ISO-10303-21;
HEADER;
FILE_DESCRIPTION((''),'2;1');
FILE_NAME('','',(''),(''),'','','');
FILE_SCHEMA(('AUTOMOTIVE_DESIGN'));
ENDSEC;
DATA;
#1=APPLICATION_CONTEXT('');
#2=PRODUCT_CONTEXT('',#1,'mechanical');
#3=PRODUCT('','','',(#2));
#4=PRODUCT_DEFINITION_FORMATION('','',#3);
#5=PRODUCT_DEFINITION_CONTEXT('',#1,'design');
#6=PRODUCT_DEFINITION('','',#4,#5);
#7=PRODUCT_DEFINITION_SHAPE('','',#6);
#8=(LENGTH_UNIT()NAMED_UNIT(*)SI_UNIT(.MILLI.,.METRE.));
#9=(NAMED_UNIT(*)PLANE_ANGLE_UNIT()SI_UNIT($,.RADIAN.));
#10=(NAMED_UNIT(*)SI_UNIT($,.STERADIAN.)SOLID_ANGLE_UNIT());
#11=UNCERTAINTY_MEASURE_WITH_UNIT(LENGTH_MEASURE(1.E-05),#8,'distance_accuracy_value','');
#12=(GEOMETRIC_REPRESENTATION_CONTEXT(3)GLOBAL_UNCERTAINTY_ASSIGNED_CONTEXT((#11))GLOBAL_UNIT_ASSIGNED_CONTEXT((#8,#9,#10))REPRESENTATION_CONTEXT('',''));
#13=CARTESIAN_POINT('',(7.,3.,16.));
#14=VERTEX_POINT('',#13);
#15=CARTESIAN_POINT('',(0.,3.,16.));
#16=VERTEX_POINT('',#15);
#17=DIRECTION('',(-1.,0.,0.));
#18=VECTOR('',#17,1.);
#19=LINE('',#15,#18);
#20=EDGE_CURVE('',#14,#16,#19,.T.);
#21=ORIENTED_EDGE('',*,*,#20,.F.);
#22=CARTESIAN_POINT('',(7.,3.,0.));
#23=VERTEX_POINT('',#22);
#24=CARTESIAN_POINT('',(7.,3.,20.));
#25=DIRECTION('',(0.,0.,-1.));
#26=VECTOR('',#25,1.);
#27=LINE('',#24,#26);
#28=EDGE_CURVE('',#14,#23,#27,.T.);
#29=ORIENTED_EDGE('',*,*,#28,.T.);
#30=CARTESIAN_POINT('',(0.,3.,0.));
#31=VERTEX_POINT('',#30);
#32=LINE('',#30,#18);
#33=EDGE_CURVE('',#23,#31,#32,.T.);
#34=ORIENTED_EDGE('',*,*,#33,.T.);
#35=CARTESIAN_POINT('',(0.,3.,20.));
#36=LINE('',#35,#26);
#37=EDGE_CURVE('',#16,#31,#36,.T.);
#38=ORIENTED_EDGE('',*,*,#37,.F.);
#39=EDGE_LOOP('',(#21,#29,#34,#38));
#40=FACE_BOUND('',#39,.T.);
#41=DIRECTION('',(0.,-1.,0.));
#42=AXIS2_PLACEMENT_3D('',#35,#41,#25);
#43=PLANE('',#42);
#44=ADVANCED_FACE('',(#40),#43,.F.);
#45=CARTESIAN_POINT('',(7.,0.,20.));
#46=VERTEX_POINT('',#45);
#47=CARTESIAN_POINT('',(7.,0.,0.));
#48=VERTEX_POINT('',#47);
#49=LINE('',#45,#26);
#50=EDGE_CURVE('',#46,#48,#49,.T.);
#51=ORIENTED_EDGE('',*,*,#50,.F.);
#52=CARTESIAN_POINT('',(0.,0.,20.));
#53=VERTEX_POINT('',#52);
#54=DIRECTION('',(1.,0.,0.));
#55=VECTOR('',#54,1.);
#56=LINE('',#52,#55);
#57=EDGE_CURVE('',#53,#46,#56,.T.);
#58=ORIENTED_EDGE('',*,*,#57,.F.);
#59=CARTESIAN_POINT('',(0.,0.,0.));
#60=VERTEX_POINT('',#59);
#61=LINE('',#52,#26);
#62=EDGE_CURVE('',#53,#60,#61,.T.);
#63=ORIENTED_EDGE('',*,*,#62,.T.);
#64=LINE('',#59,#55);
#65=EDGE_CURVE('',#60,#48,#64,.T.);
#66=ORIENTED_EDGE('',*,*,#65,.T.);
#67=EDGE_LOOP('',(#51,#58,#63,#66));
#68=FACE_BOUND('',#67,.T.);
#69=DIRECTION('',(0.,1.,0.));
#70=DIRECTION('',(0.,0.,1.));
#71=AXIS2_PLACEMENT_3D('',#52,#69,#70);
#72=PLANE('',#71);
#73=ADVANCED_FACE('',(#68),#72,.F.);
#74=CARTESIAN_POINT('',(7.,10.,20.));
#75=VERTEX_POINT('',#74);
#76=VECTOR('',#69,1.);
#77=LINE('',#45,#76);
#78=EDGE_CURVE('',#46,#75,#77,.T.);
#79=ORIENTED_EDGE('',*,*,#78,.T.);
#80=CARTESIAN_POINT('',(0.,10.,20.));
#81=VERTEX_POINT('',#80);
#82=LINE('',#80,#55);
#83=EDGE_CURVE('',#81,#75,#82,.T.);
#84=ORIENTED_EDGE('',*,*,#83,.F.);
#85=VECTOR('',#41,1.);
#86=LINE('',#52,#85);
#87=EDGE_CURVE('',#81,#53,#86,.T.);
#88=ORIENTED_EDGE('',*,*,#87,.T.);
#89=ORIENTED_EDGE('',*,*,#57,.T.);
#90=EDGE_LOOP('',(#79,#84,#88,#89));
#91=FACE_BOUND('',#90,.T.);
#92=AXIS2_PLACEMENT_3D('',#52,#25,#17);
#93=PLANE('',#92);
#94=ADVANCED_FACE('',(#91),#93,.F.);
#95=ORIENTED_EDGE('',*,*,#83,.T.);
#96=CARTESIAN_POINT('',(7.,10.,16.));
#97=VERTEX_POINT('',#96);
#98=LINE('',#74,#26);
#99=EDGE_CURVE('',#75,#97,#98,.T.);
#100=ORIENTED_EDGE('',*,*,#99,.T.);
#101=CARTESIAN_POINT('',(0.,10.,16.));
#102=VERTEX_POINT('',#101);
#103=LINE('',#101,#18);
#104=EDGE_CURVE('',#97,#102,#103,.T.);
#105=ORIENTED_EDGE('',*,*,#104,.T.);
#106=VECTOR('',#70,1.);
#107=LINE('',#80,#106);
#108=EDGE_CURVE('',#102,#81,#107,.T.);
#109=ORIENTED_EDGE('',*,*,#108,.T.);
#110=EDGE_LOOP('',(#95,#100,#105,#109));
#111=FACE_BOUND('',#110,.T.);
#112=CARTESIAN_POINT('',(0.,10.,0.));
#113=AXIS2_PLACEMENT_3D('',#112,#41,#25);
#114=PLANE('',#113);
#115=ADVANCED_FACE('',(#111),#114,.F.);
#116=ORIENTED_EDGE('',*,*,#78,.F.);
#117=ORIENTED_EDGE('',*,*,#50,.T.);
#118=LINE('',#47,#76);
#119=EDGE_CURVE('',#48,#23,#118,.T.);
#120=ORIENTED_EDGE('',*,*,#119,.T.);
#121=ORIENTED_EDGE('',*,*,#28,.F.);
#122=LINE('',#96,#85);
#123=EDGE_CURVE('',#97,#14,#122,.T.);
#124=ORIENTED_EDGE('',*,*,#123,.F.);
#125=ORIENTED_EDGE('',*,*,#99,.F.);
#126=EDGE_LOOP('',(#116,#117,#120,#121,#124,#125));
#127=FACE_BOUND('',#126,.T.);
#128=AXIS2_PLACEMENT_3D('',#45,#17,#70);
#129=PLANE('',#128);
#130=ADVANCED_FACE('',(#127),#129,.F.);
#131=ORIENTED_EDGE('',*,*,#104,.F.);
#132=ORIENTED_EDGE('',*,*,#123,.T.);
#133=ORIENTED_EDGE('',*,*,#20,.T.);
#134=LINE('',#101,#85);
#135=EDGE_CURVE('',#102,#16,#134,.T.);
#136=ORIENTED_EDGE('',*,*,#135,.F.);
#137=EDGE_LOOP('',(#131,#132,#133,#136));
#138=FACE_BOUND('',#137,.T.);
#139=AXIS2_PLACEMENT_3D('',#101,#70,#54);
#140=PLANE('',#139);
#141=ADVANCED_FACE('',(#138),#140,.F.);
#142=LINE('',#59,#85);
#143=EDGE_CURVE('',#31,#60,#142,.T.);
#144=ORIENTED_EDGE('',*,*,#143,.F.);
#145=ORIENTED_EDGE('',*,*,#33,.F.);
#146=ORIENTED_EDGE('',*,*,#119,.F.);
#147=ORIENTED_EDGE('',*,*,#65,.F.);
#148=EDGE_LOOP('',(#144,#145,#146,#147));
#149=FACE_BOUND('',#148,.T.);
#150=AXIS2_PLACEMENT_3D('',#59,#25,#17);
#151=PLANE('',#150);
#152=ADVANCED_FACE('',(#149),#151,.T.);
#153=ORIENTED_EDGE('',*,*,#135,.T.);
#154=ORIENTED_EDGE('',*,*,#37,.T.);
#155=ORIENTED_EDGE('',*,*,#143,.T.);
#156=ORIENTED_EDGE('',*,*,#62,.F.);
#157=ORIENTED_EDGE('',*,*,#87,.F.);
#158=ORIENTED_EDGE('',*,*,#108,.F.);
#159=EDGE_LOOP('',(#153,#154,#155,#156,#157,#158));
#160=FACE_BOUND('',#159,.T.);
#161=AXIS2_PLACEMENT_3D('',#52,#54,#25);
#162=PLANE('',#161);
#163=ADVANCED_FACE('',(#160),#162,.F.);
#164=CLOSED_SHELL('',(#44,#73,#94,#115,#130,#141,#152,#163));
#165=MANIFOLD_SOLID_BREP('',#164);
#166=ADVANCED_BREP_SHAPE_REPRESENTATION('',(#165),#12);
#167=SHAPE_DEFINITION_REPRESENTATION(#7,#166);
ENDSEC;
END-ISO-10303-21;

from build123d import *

# Parameters (mm, degrees)
SKETCH_1_W      = 7
SKETCH_1_H      = 3
EXTRUDE_1_DEPTH = 20
SKETCH_2_W      = 7
SKETCH_2_H      = 4
EXTRUDE_2_DEPTH = 7


with BuildPart() as part:
    # 草图1 → 凸台-拉伸1 (new body)
    with BuildSketch(Plane.XY):
        with Locations((3.5, 1.5)):
            Rectangle(SKETCH_1_W, SKETCH_1_H)
    extrude(amount=EXTRUDE_1_DEPTH)

    # 草图2 → 凸台-拉伸2 (add)
    with BuildSketch(Plane(origin=(0, 3, 0), x_dir=(1, 0, 0), z_dir=(0, 1, 0))):
        with Locations((3.5, -18)):
            Rectangle(SKETCH_2_W, SKETCH_2_H)
    extrude(amount=EXTRUDE_2_DEPTH)


solid = part.part
